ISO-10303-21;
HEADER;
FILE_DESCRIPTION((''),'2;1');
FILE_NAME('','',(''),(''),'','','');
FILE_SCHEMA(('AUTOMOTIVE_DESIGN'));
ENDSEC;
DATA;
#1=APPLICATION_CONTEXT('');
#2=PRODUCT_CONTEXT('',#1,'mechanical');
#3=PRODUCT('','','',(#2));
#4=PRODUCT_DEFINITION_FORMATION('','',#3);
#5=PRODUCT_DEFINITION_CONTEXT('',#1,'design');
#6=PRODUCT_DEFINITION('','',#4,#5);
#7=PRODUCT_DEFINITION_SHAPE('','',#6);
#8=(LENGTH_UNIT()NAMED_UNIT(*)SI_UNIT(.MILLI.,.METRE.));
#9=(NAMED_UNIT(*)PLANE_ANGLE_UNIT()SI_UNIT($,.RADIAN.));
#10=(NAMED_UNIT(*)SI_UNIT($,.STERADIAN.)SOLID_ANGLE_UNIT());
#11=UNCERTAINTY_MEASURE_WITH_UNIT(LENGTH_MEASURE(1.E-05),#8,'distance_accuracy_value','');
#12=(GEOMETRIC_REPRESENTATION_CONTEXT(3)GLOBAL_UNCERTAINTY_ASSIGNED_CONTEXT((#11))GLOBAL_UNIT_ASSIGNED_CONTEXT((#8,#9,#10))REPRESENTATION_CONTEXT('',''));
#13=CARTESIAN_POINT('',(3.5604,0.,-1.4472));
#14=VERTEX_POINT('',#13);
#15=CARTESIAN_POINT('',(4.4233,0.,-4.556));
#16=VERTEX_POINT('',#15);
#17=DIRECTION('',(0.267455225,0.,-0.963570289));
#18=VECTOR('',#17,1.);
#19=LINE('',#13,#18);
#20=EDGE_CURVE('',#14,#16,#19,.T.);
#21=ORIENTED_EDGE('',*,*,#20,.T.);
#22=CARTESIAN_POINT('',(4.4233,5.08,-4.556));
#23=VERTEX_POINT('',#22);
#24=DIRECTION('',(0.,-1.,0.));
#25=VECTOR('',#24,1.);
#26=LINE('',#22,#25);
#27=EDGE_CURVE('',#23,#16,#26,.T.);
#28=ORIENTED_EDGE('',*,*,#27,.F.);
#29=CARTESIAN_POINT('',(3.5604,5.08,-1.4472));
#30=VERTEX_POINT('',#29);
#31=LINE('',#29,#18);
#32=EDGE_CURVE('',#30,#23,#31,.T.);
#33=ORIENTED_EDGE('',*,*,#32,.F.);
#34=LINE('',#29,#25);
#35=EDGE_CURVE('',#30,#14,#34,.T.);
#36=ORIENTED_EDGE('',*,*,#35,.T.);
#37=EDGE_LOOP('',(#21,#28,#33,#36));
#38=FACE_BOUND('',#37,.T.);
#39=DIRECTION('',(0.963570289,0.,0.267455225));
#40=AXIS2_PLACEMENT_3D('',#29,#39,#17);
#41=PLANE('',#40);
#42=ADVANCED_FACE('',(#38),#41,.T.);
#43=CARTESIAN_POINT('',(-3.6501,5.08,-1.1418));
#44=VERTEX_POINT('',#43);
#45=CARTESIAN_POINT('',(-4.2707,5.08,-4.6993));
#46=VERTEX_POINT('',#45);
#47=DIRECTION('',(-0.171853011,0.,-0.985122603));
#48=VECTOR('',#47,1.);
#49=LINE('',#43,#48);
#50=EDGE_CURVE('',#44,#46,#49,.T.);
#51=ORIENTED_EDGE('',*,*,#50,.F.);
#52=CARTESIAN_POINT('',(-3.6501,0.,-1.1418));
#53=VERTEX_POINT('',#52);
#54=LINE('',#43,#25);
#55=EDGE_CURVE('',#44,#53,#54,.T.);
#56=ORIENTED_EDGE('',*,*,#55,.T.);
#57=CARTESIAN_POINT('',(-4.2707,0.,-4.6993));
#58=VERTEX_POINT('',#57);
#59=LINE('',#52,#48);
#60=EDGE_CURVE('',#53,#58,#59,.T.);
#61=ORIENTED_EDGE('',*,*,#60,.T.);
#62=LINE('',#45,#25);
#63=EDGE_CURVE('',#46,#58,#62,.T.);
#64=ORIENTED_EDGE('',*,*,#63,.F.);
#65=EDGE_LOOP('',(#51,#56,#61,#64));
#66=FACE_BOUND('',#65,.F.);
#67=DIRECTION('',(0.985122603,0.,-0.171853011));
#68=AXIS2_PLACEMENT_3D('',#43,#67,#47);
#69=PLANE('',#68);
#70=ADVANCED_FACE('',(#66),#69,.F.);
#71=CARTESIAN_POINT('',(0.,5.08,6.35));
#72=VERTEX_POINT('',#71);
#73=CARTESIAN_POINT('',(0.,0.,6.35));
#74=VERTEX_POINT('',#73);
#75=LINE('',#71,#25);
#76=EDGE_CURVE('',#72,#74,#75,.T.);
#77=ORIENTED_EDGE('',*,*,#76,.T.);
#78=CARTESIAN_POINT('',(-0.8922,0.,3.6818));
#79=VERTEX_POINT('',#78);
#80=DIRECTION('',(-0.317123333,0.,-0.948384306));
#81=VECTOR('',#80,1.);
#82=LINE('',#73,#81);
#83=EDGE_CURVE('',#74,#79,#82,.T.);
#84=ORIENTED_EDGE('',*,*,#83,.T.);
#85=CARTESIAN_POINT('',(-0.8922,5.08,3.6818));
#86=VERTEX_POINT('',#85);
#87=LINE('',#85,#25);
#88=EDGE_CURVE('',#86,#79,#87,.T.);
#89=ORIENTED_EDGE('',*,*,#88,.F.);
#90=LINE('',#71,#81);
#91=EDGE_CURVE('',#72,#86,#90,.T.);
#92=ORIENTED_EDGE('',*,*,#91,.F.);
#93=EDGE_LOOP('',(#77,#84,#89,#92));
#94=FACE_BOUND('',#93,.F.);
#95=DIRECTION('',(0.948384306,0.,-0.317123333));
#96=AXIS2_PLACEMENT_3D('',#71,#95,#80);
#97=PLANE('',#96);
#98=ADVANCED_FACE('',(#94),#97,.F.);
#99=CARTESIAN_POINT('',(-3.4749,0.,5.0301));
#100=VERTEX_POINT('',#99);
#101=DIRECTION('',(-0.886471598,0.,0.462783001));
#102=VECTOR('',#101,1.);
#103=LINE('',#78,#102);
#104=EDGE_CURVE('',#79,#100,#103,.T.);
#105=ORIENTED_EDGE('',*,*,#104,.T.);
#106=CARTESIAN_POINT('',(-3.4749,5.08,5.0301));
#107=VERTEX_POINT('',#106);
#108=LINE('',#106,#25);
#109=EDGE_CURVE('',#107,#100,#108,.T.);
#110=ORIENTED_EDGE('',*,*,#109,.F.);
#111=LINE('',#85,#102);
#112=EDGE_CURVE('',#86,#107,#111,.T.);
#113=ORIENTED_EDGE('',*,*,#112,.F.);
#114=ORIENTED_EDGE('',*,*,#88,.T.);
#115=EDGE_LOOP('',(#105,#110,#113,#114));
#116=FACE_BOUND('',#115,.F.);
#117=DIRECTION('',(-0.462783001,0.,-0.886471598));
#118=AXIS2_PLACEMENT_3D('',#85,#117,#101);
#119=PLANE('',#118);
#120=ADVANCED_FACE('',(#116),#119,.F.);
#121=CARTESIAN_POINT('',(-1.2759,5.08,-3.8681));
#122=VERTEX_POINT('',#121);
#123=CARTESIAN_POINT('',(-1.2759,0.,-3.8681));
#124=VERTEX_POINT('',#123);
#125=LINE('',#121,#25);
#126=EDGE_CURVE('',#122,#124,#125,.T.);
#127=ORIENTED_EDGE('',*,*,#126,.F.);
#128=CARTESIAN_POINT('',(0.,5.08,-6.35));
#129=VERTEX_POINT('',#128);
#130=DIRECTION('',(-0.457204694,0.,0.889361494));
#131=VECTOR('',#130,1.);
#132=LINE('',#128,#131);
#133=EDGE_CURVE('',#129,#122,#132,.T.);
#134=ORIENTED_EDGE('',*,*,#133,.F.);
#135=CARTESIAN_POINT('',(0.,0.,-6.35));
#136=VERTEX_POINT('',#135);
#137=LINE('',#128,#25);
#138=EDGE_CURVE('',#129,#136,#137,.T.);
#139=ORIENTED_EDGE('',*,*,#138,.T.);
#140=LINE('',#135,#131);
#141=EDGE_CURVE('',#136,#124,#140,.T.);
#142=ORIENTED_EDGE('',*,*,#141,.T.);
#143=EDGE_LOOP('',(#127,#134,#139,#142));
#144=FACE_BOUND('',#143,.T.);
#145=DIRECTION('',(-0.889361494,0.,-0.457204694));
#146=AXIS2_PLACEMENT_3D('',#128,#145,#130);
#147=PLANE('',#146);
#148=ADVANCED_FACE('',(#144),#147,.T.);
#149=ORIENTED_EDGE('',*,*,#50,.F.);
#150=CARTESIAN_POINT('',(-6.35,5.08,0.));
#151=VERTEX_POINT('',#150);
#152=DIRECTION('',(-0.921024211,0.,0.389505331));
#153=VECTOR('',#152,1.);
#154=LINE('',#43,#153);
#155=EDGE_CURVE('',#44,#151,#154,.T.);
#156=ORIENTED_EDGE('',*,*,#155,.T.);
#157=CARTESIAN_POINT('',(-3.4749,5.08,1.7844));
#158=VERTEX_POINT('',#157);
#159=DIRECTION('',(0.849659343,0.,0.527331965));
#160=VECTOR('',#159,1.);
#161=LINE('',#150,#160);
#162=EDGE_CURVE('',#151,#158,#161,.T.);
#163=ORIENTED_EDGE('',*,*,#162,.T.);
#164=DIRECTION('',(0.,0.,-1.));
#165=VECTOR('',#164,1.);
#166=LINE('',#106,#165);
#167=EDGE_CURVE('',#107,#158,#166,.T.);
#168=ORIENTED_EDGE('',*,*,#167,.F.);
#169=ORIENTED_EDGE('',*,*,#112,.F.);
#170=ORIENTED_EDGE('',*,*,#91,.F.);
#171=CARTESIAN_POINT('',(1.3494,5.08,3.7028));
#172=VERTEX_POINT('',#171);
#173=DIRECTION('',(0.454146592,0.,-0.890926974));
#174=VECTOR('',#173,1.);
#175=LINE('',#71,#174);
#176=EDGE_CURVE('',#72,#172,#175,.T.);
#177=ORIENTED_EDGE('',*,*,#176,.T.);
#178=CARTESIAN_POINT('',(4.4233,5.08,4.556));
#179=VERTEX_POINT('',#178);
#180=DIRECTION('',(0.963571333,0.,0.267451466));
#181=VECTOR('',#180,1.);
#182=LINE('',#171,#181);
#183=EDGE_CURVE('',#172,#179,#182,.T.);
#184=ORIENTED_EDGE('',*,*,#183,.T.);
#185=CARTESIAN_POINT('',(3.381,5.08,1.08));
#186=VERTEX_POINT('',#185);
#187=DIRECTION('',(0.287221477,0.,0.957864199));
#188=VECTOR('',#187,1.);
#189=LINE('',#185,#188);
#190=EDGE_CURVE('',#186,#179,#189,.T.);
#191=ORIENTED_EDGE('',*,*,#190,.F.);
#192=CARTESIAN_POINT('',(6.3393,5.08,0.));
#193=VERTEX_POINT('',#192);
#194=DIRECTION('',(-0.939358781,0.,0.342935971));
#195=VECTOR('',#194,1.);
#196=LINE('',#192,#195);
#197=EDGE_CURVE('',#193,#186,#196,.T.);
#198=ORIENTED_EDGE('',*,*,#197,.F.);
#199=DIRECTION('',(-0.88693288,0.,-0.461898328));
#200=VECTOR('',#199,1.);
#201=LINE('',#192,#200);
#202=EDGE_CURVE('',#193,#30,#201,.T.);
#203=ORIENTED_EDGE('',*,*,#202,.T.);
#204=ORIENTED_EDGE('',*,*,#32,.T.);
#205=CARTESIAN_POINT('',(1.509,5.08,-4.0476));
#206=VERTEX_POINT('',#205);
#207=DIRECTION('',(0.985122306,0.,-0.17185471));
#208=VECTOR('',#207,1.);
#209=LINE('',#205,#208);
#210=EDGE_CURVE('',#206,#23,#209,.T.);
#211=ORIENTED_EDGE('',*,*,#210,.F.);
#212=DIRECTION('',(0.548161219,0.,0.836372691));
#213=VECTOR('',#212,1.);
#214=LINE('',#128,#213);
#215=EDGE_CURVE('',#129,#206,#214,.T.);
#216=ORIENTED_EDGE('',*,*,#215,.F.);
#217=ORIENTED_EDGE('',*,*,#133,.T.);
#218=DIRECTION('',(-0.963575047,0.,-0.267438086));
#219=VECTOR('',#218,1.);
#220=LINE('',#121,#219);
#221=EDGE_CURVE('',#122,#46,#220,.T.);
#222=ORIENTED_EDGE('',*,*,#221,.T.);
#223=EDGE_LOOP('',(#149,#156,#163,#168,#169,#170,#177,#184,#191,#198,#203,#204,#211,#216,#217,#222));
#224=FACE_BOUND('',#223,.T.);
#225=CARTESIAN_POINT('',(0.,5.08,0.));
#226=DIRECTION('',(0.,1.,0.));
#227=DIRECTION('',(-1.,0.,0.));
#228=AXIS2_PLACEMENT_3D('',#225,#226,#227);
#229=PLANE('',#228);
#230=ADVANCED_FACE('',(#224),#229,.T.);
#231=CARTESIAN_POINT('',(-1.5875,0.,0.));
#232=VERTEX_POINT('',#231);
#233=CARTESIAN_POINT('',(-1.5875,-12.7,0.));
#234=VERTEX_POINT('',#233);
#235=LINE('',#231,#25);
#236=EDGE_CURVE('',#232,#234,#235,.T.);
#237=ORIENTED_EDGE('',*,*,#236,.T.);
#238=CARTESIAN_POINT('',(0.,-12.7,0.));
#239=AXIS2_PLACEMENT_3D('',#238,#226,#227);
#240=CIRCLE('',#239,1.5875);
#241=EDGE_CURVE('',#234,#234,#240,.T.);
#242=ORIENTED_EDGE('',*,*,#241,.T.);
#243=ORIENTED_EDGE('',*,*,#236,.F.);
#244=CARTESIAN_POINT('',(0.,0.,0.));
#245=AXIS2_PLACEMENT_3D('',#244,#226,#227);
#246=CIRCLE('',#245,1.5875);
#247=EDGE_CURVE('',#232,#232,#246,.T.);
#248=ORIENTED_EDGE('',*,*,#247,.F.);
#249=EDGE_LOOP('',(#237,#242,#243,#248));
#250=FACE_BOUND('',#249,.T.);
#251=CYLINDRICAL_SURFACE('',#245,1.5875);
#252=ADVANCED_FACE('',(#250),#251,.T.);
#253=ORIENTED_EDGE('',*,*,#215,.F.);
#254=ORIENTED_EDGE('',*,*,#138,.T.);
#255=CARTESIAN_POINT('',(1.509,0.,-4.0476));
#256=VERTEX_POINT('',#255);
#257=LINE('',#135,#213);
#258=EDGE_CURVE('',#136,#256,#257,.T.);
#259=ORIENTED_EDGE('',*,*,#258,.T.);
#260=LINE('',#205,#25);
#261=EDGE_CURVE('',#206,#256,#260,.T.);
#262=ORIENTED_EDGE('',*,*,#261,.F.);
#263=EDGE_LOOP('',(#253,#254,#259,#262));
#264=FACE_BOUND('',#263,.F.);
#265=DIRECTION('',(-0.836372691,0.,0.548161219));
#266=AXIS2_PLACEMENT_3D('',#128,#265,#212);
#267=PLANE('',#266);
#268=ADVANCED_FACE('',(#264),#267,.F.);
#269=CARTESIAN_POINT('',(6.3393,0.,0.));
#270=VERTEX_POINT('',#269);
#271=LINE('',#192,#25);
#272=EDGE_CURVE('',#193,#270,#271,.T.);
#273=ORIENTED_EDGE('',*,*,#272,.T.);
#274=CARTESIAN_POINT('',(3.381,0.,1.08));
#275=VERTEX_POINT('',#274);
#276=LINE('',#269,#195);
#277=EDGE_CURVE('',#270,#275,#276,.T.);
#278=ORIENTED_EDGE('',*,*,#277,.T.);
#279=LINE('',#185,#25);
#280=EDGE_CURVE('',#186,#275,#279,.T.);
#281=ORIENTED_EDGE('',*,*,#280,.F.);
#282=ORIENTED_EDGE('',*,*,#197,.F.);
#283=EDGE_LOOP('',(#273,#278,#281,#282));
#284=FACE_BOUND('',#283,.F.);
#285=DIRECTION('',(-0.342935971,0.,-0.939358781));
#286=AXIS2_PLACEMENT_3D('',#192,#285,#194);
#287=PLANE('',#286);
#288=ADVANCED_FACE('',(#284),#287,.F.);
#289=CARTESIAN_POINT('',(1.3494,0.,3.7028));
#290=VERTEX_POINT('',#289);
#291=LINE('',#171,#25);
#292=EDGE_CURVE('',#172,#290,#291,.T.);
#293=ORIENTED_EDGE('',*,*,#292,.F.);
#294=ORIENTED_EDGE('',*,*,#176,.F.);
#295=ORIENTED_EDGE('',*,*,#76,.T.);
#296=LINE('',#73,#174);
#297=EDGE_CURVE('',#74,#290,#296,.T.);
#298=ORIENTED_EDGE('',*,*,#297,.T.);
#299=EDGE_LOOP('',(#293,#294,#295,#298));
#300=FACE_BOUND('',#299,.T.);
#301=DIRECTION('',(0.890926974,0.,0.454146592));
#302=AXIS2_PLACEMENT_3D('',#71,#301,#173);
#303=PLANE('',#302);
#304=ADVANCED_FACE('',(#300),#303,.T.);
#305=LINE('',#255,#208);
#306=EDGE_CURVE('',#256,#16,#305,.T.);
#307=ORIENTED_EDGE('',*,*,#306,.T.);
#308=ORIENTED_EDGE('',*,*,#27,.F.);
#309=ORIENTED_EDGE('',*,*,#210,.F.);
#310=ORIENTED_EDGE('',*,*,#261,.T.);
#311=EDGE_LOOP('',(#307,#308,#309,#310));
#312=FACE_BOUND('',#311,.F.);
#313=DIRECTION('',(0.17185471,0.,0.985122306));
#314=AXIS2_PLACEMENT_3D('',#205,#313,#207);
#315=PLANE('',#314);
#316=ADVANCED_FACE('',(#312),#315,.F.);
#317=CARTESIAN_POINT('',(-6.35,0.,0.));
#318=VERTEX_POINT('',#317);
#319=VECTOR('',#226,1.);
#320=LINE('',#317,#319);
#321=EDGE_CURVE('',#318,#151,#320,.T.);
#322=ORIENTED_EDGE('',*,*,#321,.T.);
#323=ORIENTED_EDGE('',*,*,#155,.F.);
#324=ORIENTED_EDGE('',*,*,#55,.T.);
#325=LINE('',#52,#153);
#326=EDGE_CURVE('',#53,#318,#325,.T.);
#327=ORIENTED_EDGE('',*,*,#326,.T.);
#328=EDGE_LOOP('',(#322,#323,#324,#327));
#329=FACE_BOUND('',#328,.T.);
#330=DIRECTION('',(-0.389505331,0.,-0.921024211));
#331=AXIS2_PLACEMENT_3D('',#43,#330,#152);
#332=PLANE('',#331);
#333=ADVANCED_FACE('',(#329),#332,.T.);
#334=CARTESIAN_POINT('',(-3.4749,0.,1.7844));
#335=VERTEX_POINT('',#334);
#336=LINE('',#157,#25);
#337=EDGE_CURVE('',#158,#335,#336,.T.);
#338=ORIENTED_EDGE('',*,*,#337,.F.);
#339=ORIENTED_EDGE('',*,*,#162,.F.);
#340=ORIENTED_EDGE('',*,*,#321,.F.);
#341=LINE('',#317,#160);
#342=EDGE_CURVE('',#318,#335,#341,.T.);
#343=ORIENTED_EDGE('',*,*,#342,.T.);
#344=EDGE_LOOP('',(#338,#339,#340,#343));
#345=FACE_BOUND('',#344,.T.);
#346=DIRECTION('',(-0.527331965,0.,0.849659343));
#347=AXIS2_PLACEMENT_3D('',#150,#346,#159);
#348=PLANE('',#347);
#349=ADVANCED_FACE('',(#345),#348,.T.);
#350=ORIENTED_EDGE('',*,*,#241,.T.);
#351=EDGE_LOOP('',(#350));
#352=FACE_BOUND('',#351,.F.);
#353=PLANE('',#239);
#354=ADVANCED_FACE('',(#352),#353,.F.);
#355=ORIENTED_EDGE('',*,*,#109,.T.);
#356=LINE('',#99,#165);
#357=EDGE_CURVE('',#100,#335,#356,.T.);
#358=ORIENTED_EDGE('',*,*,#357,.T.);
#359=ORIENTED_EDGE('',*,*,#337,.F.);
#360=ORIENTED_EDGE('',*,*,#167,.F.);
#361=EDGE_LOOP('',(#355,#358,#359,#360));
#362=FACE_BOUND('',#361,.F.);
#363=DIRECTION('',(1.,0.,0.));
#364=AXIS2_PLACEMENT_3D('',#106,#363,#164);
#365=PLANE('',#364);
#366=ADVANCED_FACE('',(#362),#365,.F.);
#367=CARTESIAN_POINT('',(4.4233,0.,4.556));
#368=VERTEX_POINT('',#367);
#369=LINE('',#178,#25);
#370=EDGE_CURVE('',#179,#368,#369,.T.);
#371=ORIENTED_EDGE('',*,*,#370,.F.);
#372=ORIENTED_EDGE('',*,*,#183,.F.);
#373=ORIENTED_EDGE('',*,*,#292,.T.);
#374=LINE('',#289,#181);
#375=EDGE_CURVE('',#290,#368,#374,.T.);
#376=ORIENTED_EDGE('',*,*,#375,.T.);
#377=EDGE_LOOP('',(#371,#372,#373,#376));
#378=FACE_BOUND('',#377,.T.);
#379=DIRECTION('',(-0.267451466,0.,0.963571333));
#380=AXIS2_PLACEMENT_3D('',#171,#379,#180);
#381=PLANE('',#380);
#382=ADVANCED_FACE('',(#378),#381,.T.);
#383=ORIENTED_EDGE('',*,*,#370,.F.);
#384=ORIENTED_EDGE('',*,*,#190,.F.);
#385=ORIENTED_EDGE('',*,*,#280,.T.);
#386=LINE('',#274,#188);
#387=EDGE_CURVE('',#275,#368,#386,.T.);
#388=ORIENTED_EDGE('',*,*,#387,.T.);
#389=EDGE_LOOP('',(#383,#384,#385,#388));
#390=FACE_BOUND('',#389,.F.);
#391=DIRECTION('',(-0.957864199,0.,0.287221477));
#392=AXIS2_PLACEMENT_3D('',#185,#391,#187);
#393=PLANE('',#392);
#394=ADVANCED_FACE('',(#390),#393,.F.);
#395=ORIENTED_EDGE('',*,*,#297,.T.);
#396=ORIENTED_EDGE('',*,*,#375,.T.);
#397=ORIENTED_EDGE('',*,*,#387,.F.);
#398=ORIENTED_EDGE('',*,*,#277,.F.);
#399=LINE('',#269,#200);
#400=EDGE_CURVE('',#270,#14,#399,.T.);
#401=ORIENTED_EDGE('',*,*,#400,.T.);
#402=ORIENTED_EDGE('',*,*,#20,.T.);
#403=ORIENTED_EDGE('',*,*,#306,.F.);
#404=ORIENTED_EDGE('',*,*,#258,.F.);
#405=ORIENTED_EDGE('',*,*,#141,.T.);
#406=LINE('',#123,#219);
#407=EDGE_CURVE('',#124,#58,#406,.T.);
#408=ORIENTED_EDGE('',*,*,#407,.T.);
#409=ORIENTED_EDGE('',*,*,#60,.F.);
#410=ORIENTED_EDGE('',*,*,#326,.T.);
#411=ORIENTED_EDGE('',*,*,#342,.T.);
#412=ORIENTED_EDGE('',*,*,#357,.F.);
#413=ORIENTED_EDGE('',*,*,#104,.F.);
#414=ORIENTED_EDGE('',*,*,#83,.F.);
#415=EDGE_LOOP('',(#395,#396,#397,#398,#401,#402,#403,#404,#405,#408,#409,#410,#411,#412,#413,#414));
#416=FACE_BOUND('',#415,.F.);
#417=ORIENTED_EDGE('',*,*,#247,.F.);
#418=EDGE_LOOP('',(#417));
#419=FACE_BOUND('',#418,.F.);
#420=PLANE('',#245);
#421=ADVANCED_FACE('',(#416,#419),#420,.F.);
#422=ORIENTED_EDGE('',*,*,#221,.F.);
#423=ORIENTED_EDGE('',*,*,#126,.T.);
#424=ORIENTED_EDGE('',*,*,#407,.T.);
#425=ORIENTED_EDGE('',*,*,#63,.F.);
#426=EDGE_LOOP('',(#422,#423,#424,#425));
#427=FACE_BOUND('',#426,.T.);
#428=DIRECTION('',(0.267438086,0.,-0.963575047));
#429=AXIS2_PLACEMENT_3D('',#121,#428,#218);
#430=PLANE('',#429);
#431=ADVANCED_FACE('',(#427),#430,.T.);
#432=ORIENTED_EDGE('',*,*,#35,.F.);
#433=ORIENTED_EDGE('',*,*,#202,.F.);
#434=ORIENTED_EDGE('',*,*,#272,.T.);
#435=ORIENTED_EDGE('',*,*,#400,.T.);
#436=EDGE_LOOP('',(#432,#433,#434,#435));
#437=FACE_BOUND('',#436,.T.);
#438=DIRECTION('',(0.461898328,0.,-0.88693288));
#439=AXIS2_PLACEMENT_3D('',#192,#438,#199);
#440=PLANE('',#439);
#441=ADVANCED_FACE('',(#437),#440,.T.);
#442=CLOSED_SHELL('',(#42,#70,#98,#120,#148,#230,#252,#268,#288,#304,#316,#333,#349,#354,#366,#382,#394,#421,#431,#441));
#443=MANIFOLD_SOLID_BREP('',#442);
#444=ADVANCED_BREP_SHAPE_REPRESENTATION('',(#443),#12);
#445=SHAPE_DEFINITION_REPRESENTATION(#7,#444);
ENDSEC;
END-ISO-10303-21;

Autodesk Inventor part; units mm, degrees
ref_plane "YZ Plane" through (0, 0, 0) normal (1, 0, 0) x (0, 1, 0)
ref_plane "XZ Plane" through (0, 0, 0) normal (0, 1, 0) x (-1, 0, 0)
ref_plane "XY Plane" through (0, 0, 0) normal (0, 0, 1) x (1, 0, 0)
sketch "Sketch1" plane through (0, 0, 0) normal (0, 1, 0) x (-1, 0, 0)
  circle A0 centre (0, 0) radius 1.5875
  circle A1 centre (0, 0) radius 6.35
  dimension "d0" = 3.175
  dimension "d1" = 12.7
extrude "Extrusion1" add sketch "Sketch1" along normal blind 5.08 contours A0 | A1
extrude "Extrusion2" add sketch "Sketch1" against normal blind 12.7 contours A0
sketch "Sketch2" plane through (0, 5.08, 0) normal (0, 1, 0) x (1, 0, 0)
  line L0 (6.3393, 0) -> (3.5604, 1.4472)
  line L1 (3.5604, 1.4472) -> (6.3393, 0)
  line L2 (6.3393, 0) -> (3.381, -1.08)
  line L3 (0, 0) -> (-1.7844, 0)
  circle A0 centre (0, 0) radius 6.35 projected
  line L4 (0, -6.35) -> (1.3494, -3.7028)
  line L5 (0, -6.35) -> (-0.8922, -3.6818)
  line L6 (-6.35, 0) -> (-3.4749, -1.7844)
  line L7 (-3.4749, -1.7844) -> (-6.35, 0)
  line L8 (-3.6501, 1.1418) -> (-6.35, 0)
  line L9 (0, 6.35) -> (1.509, 4.0476)
  line L10 (1.509, 4.0476) -> (0, 6.35)
  line L11 (0, 6.35) -> (-1.2759, 3.8681)
  line L12 (1.509, 4.0476) -> (4.4233, 4.556)
  line L13 (3.5604, 1.4472) -> (4.4233, 4.556)
  line L14 (3.381, -1.08) -> (4.4233, -4.556)
  line L15 (1.3494, -3.7028) -> (4.4233, -4.556)
  line L16 (-0.8922, -3.6818) -> (-3.4749, -5.0301)
  line L17 (-3.4749, -5.0301) -> (-3.4749, -1.7844)
  line L18 (-3.6501, 1.1418) -> (-4.2707, 4.6993)
  line L19 (-1.2759, 3.8681) -> (-4.2707, 4.6993)
  circle A1 centre (0, 0) radius 6.35
extrude "Extrusion3" cut sketch "Sketch2" against normal blind 5.08 contours L0 L13 A0 L14 L2 | L12 L9 A0 | A0 L4 L15 | L11 L19 A0 | A0 L6 L17 L16 L5 | L18 L8 A0
properties part number "Wheels" material "PBT Plastic"
